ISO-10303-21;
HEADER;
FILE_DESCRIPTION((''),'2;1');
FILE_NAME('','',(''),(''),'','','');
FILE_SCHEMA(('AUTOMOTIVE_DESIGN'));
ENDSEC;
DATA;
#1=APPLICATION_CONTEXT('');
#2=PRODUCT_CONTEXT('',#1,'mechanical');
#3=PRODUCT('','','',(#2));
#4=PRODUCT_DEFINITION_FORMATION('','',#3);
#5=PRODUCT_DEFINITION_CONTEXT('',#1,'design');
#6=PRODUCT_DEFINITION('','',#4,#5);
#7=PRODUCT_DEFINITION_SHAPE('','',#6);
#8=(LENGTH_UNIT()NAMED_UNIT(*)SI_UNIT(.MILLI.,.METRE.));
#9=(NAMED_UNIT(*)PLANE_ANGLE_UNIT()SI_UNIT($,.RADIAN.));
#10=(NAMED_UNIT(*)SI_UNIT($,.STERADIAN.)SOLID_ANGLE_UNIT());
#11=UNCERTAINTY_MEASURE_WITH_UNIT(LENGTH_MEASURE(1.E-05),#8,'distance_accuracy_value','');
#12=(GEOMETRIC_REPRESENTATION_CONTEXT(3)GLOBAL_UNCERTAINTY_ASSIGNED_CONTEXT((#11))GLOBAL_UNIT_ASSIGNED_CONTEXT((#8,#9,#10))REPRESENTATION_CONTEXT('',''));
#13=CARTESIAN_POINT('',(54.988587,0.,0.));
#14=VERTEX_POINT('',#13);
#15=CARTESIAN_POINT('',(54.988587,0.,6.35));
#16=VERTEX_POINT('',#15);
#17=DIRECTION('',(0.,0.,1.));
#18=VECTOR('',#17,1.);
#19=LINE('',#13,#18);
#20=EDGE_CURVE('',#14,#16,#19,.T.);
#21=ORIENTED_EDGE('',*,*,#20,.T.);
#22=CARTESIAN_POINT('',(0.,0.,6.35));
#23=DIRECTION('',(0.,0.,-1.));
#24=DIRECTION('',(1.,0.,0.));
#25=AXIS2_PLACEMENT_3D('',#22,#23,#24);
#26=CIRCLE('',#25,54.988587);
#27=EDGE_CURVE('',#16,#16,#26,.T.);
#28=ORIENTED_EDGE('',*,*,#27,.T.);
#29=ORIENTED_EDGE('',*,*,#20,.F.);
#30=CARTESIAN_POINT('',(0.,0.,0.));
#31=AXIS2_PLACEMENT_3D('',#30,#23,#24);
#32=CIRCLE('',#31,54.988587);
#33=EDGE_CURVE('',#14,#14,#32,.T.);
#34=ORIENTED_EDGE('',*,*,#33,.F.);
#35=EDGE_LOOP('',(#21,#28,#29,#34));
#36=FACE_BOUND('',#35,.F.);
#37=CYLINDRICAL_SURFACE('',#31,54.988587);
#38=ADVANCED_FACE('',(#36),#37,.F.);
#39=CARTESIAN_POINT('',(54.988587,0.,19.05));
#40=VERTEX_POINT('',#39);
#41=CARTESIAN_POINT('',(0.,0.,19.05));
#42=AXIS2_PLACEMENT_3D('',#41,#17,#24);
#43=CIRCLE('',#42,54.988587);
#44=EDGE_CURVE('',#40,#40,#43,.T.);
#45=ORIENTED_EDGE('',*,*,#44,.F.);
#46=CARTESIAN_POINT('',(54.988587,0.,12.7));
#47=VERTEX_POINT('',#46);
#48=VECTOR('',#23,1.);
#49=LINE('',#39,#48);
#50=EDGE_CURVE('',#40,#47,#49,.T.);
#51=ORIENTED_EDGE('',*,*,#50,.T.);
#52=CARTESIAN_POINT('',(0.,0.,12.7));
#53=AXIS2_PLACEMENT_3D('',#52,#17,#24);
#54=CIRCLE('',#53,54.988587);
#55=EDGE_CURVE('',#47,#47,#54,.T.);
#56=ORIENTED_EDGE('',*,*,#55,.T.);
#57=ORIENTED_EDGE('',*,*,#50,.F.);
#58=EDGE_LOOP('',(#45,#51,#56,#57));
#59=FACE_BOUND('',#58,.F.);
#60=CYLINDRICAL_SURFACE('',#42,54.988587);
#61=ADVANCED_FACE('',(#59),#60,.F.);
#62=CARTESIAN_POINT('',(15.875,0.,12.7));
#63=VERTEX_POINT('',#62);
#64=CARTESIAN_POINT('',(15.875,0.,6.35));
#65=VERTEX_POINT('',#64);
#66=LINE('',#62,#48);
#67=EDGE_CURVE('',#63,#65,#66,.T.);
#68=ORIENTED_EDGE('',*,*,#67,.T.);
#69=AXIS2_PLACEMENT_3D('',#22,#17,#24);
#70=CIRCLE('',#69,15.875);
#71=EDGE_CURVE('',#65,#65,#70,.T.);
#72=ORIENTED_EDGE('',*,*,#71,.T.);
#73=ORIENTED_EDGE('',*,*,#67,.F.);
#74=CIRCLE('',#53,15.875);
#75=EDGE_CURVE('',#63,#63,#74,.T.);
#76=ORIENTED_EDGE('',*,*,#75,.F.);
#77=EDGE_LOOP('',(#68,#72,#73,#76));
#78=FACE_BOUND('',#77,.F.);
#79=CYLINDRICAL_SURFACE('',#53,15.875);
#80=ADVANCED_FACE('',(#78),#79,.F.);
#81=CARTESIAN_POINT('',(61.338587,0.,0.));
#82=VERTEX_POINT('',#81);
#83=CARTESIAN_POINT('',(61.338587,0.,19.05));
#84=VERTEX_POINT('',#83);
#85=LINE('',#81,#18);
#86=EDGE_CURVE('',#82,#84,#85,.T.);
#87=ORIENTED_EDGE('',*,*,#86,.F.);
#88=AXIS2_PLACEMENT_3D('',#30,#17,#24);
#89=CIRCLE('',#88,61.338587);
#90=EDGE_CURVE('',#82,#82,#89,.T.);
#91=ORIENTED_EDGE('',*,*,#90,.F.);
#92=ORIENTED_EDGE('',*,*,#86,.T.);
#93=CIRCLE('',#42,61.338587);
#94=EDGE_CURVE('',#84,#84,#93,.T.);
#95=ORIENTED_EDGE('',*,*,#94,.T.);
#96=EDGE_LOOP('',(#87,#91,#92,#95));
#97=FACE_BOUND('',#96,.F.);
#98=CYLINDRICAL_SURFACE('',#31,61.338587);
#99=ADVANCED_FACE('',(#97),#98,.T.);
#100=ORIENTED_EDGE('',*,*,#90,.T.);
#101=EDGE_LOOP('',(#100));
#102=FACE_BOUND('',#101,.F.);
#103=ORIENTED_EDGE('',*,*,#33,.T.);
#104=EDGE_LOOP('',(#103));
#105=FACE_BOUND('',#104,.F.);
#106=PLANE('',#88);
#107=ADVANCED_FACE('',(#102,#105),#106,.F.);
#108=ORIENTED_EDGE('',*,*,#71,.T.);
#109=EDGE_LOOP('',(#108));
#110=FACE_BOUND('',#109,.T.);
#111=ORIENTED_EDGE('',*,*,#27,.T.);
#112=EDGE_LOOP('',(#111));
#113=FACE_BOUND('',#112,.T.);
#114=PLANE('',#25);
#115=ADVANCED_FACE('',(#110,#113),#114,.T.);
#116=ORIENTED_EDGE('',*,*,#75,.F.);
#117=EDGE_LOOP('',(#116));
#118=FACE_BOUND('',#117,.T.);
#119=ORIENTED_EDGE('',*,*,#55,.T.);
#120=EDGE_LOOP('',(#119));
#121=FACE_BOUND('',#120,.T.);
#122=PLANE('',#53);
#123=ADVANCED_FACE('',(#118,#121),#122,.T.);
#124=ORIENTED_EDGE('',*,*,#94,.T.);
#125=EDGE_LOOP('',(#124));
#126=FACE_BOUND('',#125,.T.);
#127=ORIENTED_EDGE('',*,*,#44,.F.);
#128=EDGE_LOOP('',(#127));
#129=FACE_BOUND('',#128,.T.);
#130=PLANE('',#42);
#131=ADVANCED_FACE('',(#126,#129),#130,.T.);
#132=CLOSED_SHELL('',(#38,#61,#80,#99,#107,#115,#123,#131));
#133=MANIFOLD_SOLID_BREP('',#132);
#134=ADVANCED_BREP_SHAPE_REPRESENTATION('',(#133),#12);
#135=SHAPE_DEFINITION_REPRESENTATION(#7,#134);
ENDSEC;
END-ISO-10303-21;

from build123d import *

# Parameters (mm, degrees)
F0_R     = 61.338587
F1_DEPTH = 19.05
F2_R     = 54.988587
F3_DEPTH = 6.35
F4_R     = 54.988587
F5_DEPTH = 6.35
F6_R     = 15.875
F7_DEPTH = 12.701


with BuildPart() as f1:
    # F0 (on Top) → F1 (new body)
    with BuildSketch(Plane.XY):
        Circle(F0_R)
    extrude(amount=F1_DEPTH)

    # F2 (on face) → F3 (cut)
    with BuildSketch(Plane(origin=(0, 0, 0), x_dir=(1, 0, 0), z_dir=(0, 0, -1))):
        Circle(F2_R)
    extrude(amount=-F3_DEPTH, mode=Mode.SUBTRACT)

    # F4 (on face) → F5 (cut)
    with BuildSketch(Plane.XY.offset(19.05)):
        Circle(F4_R)
    extrude(amount=-F5_DEPTH, mode=Mode.SUBTRACT)

    # F6 (on face) → F7 (cut, through all)
    with BuildSketch(Plane.XY.offset(12.7)):
        Circle(F6_R)
    extrude(amount=-F7_DEPTH, mode=Mode.SUBTRACT)


solid = f1.part
